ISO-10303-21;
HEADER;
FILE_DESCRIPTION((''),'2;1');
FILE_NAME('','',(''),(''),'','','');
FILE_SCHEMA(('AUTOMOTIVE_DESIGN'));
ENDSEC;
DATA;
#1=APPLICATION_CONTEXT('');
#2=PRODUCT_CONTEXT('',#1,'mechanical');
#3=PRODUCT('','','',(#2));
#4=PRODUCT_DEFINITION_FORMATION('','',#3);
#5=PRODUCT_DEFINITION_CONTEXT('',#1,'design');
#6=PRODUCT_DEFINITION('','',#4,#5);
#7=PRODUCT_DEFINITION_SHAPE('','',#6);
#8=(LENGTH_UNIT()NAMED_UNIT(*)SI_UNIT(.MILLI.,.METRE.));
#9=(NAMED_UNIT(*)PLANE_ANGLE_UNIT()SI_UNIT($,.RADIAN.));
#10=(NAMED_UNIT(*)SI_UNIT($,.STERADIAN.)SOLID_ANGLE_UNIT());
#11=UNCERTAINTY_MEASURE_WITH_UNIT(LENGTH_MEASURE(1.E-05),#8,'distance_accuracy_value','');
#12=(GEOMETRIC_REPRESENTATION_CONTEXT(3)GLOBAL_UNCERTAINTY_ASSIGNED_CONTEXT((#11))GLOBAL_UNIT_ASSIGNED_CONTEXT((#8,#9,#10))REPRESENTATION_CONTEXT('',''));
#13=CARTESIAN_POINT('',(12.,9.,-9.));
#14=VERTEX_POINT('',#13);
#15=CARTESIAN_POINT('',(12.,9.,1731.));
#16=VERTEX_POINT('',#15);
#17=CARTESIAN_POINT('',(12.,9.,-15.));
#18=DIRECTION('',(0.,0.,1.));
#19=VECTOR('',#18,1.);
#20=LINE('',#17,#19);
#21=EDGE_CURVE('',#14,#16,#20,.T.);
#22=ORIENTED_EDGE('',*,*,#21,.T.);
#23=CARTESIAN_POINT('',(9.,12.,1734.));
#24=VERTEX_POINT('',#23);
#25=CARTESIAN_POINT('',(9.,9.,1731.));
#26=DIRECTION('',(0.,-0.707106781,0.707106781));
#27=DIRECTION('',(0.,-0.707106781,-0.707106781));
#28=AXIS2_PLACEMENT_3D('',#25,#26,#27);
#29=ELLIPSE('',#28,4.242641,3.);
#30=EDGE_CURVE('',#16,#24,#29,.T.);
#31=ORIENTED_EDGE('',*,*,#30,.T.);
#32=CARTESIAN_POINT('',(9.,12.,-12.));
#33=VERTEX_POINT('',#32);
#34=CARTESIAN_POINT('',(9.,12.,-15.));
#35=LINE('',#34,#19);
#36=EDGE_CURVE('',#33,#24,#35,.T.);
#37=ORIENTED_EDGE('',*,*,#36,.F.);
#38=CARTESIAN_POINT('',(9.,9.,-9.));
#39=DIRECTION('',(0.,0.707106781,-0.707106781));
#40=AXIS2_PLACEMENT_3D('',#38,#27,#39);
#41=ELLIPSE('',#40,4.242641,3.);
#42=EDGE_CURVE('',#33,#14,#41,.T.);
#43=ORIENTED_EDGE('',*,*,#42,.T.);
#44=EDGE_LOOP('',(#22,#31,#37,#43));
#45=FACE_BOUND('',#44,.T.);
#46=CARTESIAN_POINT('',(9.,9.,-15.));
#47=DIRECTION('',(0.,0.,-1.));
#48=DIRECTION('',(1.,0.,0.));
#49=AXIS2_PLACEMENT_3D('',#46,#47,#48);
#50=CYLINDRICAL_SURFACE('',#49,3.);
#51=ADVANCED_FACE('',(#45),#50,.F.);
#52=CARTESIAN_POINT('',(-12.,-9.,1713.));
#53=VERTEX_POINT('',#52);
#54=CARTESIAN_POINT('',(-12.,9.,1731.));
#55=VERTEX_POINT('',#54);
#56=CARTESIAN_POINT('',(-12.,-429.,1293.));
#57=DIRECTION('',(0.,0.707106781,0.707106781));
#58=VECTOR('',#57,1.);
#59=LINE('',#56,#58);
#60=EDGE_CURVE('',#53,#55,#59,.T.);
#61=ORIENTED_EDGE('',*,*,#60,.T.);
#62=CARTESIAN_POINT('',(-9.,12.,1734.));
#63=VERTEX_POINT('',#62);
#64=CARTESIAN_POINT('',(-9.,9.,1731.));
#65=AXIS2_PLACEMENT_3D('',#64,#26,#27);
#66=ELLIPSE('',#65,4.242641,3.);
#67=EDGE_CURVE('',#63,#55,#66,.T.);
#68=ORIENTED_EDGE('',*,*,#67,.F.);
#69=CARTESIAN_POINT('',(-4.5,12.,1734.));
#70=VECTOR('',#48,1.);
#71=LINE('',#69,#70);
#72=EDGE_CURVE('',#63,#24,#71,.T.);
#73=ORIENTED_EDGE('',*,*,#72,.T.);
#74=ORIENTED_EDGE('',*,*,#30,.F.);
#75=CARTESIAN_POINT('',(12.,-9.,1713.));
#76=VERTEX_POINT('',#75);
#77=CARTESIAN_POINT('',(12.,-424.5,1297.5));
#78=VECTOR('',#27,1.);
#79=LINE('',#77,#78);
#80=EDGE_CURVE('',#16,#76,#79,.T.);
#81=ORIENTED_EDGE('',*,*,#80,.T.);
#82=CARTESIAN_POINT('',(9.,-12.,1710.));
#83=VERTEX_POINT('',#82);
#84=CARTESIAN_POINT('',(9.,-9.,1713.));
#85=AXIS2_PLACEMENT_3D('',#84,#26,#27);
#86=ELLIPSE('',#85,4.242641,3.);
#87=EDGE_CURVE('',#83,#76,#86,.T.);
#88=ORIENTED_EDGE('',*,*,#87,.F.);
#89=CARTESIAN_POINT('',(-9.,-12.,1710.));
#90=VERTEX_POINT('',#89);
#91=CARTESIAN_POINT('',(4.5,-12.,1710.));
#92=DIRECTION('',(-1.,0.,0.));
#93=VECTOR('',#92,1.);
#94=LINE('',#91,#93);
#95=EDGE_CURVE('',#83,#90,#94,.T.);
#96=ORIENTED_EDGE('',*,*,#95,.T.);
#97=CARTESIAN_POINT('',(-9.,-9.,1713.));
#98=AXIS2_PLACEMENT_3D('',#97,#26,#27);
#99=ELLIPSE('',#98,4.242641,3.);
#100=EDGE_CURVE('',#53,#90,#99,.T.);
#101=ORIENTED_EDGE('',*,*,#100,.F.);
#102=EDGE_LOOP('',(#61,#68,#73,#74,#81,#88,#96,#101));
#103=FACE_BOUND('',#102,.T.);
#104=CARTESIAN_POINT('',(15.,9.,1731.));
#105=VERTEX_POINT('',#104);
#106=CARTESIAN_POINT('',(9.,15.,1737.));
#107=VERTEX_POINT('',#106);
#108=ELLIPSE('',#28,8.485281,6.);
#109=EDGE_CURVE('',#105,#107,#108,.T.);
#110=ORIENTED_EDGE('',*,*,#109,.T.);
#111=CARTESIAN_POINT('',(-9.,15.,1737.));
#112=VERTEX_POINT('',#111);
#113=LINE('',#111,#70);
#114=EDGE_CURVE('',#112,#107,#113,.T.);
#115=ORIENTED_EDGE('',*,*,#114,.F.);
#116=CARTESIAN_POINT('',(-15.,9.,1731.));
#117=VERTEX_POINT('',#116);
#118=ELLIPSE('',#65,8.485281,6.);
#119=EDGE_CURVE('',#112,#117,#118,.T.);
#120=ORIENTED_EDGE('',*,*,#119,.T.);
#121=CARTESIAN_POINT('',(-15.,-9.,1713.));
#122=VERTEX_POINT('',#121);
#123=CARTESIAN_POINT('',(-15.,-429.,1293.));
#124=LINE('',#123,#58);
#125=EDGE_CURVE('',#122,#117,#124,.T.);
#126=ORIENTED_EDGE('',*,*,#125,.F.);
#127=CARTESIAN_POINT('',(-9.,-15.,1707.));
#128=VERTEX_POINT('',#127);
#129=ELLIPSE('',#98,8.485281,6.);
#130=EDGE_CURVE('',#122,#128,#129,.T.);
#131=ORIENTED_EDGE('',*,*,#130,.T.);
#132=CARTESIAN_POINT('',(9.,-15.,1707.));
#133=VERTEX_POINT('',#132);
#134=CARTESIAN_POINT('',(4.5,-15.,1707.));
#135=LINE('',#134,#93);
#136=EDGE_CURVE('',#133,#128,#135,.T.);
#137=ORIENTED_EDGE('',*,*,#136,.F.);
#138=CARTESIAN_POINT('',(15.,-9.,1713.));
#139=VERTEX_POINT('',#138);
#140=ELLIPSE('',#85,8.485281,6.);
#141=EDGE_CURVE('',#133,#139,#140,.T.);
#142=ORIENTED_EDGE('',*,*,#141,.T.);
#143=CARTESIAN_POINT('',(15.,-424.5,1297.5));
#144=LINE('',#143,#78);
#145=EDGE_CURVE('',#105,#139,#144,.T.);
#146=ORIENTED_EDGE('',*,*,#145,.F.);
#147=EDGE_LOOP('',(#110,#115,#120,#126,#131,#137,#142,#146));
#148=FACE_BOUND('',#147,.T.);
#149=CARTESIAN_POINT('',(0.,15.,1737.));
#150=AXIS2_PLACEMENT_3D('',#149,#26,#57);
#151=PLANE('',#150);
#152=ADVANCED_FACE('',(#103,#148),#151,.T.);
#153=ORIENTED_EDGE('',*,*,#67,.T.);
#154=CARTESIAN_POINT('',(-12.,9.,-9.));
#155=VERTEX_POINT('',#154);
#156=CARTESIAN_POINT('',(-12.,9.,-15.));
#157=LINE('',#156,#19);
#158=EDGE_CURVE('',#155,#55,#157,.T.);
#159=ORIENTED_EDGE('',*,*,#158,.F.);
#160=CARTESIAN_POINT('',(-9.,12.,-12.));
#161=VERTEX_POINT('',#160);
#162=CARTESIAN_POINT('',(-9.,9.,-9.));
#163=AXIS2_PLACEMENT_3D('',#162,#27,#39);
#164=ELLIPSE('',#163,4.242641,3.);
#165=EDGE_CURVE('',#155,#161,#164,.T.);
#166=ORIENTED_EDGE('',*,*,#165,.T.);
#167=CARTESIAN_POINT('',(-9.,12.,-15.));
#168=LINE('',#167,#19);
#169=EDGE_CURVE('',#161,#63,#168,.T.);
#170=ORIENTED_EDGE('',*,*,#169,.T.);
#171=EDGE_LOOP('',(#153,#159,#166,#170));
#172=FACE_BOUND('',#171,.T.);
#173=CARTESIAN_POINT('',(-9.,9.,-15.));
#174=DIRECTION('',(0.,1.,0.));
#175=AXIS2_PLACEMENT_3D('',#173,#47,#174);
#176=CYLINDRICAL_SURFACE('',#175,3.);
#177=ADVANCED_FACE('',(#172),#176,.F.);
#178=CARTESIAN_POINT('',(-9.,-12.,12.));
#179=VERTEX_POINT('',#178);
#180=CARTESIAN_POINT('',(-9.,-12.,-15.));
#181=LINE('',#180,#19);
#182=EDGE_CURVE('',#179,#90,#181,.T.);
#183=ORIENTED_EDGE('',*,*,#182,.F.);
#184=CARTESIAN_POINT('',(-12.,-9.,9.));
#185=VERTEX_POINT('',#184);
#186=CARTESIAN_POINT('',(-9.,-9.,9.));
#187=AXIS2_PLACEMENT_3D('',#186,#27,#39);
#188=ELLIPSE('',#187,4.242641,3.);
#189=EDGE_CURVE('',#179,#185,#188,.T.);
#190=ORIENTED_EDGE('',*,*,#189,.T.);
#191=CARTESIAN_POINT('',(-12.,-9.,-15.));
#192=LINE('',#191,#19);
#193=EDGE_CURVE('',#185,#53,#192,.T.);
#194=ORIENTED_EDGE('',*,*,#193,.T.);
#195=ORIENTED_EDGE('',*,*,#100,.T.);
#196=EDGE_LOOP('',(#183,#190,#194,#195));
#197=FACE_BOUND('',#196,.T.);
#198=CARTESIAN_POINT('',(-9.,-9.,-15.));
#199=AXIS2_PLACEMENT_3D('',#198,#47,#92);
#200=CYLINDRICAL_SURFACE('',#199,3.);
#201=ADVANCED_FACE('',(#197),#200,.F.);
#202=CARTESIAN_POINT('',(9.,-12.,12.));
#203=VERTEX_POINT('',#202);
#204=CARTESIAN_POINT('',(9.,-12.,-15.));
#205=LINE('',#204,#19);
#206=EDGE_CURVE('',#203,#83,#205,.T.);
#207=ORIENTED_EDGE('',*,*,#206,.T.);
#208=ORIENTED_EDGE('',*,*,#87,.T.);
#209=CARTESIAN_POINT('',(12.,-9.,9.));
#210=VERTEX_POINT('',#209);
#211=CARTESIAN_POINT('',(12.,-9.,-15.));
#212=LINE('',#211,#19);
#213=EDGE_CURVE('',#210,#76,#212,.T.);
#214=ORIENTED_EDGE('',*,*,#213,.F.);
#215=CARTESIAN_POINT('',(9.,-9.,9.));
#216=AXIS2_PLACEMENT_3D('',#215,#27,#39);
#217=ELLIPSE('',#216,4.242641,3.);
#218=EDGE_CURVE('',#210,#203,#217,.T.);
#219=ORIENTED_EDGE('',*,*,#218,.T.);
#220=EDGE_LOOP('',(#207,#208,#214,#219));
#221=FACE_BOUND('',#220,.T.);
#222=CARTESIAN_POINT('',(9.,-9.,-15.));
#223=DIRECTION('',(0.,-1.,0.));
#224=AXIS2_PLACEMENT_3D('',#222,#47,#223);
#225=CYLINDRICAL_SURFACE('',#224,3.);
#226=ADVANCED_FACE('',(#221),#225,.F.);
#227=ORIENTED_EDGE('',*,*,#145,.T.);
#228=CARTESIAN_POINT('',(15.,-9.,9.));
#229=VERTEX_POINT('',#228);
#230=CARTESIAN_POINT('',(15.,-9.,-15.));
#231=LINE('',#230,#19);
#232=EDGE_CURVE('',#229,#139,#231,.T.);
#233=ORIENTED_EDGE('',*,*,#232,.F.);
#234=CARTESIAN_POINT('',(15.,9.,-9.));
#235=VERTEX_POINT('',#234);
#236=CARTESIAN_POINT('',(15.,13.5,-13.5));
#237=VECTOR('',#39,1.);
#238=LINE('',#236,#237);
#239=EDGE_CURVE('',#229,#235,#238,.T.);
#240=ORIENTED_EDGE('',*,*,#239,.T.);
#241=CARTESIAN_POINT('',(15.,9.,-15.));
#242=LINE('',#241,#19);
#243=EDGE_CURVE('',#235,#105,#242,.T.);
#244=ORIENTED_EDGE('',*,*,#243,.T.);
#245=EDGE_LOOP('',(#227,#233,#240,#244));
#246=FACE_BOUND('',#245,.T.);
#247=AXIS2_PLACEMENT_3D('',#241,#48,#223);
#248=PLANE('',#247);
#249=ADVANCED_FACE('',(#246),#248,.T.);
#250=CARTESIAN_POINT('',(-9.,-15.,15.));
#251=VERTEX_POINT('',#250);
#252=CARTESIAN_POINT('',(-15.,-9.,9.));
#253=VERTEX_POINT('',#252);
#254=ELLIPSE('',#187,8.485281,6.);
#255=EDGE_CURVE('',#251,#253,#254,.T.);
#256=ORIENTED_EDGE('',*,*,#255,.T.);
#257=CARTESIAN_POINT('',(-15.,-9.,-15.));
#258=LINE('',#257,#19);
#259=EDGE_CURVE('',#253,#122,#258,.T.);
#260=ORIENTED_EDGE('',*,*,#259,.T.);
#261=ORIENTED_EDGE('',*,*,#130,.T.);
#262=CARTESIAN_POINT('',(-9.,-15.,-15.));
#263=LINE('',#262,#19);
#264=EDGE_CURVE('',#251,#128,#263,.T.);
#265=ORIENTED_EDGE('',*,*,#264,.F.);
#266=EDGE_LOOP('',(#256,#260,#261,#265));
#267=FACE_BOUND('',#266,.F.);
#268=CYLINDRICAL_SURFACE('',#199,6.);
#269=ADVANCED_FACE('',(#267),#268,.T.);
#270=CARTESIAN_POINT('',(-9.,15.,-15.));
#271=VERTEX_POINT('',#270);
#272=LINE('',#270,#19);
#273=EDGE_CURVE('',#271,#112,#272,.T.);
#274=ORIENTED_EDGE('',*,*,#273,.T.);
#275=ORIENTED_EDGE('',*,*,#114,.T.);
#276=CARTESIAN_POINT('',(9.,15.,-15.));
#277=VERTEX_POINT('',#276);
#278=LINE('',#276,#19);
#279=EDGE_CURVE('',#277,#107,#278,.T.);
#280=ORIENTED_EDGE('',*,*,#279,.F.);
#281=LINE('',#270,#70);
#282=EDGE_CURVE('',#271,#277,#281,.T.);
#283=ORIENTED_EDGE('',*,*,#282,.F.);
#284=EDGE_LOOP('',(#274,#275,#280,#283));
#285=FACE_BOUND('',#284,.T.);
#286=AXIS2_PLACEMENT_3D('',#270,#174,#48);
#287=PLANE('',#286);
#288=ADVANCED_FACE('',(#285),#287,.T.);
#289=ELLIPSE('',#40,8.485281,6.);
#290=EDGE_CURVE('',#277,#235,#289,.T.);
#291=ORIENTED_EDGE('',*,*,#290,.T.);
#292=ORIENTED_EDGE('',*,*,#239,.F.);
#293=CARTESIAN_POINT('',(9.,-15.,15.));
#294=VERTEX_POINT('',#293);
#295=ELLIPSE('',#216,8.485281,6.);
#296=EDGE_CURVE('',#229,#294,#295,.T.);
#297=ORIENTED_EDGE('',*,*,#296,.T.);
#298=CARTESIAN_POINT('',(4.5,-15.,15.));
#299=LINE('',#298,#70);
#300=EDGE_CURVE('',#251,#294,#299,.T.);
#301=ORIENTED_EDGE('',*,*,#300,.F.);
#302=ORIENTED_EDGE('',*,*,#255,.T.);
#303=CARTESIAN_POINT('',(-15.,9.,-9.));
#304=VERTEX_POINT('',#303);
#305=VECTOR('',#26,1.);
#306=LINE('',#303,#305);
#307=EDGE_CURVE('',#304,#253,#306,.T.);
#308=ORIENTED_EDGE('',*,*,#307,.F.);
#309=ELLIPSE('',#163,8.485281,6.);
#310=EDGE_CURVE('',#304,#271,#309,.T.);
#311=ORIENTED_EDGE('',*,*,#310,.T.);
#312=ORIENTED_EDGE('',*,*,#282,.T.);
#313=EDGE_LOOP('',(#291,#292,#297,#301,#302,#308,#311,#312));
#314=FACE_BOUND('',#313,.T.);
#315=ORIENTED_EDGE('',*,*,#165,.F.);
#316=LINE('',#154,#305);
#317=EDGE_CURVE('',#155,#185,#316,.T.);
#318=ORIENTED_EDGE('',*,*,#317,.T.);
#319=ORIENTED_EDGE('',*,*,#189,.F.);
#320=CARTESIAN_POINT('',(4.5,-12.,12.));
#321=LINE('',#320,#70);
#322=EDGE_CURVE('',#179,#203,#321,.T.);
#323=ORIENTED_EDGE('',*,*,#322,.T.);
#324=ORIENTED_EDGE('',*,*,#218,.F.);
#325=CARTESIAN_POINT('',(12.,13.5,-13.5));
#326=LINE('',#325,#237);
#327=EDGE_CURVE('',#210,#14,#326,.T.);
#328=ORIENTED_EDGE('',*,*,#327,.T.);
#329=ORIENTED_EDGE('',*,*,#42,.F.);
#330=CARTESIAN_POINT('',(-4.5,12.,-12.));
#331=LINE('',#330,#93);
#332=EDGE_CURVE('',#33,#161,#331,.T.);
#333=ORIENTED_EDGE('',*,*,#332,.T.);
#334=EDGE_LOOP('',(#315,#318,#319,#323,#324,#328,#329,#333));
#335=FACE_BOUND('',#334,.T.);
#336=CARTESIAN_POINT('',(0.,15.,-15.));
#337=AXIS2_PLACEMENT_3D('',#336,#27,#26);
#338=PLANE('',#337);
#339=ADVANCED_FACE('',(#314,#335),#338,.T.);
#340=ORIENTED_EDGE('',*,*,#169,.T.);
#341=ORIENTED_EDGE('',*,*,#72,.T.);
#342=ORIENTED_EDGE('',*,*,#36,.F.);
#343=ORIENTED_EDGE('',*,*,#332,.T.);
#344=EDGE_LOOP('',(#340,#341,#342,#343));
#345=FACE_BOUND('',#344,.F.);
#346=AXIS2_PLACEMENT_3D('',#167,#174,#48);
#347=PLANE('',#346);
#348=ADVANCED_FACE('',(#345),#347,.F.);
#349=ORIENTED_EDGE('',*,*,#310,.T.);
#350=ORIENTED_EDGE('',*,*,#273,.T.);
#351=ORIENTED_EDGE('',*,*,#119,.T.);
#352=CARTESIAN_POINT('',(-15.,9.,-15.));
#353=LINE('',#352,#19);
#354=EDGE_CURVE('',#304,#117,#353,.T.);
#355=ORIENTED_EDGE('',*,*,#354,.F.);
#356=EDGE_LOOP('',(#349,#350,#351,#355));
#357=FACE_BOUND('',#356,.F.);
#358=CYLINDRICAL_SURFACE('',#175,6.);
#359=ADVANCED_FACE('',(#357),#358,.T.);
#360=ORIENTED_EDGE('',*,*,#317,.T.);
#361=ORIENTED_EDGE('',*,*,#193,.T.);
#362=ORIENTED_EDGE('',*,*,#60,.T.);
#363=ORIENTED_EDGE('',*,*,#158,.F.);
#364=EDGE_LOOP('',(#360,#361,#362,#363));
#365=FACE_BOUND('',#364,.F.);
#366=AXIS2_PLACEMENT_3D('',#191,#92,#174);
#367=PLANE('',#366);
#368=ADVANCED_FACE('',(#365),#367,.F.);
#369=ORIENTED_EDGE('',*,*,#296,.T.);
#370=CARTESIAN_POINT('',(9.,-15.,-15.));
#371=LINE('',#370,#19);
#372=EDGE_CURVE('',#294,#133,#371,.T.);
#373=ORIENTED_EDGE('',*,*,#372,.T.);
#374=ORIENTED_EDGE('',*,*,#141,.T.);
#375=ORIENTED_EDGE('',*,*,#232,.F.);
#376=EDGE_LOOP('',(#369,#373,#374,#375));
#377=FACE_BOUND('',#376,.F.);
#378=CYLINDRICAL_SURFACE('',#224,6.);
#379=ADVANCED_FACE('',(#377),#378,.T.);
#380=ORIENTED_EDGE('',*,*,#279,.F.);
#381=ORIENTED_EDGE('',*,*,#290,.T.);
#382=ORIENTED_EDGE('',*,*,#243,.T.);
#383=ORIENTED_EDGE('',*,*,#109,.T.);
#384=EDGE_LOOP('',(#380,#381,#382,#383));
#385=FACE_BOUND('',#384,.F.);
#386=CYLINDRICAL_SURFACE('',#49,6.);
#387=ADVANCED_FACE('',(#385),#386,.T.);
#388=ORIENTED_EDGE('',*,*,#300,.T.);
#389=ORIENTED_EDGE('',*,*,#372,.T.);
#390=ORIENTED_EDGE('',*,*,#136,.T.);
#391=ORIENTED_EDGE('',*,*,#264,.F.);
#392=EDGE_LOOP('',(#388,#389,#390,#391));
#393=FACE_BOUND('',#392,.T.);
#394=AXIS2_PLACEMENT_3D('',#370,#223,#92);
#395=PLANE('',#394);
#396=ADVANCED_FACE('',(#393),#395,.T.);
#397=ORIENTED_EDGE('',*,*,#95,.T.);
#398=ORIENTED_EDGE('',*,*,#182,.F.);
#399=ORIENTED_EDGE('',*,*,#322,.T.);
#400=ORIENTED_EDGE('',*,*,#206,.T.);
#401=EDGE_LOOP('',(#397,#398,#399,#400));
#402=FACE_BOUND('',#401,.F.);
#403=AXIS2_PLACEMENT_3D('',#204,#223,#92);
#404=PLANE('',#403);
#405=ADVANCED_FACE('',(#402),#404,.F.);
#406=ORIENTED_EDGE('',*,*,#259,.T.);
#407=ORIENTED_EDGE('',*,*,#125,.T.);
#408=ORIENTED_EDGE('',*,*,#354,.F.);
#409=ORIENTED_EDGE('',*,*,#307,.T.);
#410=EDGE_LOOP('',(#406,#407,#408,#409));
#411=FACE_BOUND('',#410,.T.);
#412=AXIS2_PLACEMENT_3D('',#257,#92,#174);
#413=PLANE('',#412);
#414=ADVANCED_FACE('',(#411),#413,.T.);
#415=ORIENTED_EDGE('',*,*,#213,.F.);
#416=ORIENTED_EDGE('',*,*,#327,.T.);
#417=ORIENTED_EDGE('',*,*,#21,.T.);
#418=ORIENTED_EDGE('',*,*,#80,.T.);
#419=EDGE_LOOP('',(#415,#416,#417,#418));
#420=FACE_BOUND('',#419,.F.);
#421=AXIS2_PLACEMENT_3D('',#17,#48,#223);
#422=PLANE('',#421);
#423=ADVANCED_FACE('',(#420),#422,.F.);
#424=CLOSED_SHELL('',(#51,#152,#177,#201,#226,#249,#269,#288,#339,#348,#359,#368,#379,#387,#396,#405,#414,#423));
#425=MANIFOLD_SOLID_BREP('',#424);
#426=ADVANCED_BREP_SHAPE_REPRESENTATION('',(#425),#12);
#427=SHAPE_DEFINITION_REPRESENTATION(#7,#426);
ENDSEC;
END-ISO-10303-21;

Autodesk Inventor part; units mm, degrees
ref_plane "Start Plane" through (0, 0, -15) normal (0, 0, 1) x (1, 0, 0)
ref_plane "End Plane" through (0, 0, 1737) normal (0, 0, 1) x (1, 0, 0)
sketch "Sketch" plane through (0, 0, 0) normal (0, 0, 1) x (1, 0, 0)
  line L0 (-15, -9) -> (-15, 9)
  line L1 (-9, 15) -> (9, 15)
  line L2 (15, 9) -> (15, -9)
  line L3 (9, -15) -> (-9, -15)
  arc A0 (-15, -9) -> (-9, -15) centre (-9, -9) ccw
  arc A1 (-9, 15) -> (-15, 9) centre (-9, 9) ccw
  arc A2 (15, 9) -> (9, 15) centre (9, 9) ccw
  arc A3 (9, -15) -> (15, -9) centre (9, -9) ccw
  arc A4 (-9, 12) -> (-12, 9) centre (-9, 9) ccw
  line L4 (-9, 12) -> (9, 12)
  arc A5 (12, 9) -> (9, 12) centre (9, 9) ccw
  line L5 (12, 9) -> (12, -9)
  arc A6 (9, -12) -> (12, -9) centre (9, -9) ccw
  line L6 (9, -12) -> (-9, -12)
  arc A7 (-12, -9) -> (-9, -12) centre (-9, -9) ccw
  line L7 (-12, -9) -> (-12, 9)
  line L8 (0, 22.7397) -> (0, -22.7397) construction
  line L9 (-22.7397, 0) -> (22.7397, 0) construction
  dimension "d7" = 6
  dimension "d10" = 30
  dimension "d11" = 30
  dimension "d12" = 3
  dimension "d15" = 15
  dimension "d16" = 15
extrude "Body" add sketch "Sketch" along normal up to surface (1752 mm away) from surface at -15
sketch "Sketch3" plane through (0, 0, 0) normal (0, 0, 1) x (1, 0, 0)
  line L0 (0, 0) -> (10, 0)
ref_plane "Work Plane3" through (0, 0, 0) normal (0, -1, 0) x (1, 0, 0)
ref_plane "Work Plane4" through (0, 15, 1737) normal (0, -0.7071, 0.7071) x (1, 0, 0)
split "Split1" plane through (0, 15, 1737) removes the side toward (0, -0.7071, 0.7071)
ref_plane "Work Plane5" through (0, 15, -15) normal (0, -0.7071, -0.7071) x (1, 0, 0)
split "Split2" plane through (0, 15, -15) removes the side toward (0, -0.7071, -0.7071)
sketch "Sketch4" plane through (0, 0, 0) normal (0, -1, 0) x (1, 0, 0)
  line L0 (-2, -15) -> (12, -15) projected
  line L1 (-2, 1737) -> (12, 1737) projected
  dimension "d18" = 1752
equation "\"d7\" = G_IR"
equation "\"d10\" = G_H"
equation "\"d11\" = G_W"
equation "\"d12\" = G_T"
equation "\"d15\" = 0.5 * d10"
equation "\"d16\" = 0.5 * d11"
equation "\"d3\" = G_L"
equation "\"G_W\" = 30"
equation "\"G_H\" = 30"
equation "\"G_T\" = 3"
equation "\"G_IR\" = 6"
equation "\"G_L\" = d18"
equation "\"G_OFFSET_START\" = 15"
equation "\"G_OFFSET_END\" = 15"
equation "\"d13\" = -G_OFFSET_START"
equation "\"d14\" = G_OFFSET_END + B_L"
equation "\"B_L\" = 1722"
properties part number "DIN EN 10219-2 - 30 x 30 x 3  - 1752" material "Steel, Mild"
